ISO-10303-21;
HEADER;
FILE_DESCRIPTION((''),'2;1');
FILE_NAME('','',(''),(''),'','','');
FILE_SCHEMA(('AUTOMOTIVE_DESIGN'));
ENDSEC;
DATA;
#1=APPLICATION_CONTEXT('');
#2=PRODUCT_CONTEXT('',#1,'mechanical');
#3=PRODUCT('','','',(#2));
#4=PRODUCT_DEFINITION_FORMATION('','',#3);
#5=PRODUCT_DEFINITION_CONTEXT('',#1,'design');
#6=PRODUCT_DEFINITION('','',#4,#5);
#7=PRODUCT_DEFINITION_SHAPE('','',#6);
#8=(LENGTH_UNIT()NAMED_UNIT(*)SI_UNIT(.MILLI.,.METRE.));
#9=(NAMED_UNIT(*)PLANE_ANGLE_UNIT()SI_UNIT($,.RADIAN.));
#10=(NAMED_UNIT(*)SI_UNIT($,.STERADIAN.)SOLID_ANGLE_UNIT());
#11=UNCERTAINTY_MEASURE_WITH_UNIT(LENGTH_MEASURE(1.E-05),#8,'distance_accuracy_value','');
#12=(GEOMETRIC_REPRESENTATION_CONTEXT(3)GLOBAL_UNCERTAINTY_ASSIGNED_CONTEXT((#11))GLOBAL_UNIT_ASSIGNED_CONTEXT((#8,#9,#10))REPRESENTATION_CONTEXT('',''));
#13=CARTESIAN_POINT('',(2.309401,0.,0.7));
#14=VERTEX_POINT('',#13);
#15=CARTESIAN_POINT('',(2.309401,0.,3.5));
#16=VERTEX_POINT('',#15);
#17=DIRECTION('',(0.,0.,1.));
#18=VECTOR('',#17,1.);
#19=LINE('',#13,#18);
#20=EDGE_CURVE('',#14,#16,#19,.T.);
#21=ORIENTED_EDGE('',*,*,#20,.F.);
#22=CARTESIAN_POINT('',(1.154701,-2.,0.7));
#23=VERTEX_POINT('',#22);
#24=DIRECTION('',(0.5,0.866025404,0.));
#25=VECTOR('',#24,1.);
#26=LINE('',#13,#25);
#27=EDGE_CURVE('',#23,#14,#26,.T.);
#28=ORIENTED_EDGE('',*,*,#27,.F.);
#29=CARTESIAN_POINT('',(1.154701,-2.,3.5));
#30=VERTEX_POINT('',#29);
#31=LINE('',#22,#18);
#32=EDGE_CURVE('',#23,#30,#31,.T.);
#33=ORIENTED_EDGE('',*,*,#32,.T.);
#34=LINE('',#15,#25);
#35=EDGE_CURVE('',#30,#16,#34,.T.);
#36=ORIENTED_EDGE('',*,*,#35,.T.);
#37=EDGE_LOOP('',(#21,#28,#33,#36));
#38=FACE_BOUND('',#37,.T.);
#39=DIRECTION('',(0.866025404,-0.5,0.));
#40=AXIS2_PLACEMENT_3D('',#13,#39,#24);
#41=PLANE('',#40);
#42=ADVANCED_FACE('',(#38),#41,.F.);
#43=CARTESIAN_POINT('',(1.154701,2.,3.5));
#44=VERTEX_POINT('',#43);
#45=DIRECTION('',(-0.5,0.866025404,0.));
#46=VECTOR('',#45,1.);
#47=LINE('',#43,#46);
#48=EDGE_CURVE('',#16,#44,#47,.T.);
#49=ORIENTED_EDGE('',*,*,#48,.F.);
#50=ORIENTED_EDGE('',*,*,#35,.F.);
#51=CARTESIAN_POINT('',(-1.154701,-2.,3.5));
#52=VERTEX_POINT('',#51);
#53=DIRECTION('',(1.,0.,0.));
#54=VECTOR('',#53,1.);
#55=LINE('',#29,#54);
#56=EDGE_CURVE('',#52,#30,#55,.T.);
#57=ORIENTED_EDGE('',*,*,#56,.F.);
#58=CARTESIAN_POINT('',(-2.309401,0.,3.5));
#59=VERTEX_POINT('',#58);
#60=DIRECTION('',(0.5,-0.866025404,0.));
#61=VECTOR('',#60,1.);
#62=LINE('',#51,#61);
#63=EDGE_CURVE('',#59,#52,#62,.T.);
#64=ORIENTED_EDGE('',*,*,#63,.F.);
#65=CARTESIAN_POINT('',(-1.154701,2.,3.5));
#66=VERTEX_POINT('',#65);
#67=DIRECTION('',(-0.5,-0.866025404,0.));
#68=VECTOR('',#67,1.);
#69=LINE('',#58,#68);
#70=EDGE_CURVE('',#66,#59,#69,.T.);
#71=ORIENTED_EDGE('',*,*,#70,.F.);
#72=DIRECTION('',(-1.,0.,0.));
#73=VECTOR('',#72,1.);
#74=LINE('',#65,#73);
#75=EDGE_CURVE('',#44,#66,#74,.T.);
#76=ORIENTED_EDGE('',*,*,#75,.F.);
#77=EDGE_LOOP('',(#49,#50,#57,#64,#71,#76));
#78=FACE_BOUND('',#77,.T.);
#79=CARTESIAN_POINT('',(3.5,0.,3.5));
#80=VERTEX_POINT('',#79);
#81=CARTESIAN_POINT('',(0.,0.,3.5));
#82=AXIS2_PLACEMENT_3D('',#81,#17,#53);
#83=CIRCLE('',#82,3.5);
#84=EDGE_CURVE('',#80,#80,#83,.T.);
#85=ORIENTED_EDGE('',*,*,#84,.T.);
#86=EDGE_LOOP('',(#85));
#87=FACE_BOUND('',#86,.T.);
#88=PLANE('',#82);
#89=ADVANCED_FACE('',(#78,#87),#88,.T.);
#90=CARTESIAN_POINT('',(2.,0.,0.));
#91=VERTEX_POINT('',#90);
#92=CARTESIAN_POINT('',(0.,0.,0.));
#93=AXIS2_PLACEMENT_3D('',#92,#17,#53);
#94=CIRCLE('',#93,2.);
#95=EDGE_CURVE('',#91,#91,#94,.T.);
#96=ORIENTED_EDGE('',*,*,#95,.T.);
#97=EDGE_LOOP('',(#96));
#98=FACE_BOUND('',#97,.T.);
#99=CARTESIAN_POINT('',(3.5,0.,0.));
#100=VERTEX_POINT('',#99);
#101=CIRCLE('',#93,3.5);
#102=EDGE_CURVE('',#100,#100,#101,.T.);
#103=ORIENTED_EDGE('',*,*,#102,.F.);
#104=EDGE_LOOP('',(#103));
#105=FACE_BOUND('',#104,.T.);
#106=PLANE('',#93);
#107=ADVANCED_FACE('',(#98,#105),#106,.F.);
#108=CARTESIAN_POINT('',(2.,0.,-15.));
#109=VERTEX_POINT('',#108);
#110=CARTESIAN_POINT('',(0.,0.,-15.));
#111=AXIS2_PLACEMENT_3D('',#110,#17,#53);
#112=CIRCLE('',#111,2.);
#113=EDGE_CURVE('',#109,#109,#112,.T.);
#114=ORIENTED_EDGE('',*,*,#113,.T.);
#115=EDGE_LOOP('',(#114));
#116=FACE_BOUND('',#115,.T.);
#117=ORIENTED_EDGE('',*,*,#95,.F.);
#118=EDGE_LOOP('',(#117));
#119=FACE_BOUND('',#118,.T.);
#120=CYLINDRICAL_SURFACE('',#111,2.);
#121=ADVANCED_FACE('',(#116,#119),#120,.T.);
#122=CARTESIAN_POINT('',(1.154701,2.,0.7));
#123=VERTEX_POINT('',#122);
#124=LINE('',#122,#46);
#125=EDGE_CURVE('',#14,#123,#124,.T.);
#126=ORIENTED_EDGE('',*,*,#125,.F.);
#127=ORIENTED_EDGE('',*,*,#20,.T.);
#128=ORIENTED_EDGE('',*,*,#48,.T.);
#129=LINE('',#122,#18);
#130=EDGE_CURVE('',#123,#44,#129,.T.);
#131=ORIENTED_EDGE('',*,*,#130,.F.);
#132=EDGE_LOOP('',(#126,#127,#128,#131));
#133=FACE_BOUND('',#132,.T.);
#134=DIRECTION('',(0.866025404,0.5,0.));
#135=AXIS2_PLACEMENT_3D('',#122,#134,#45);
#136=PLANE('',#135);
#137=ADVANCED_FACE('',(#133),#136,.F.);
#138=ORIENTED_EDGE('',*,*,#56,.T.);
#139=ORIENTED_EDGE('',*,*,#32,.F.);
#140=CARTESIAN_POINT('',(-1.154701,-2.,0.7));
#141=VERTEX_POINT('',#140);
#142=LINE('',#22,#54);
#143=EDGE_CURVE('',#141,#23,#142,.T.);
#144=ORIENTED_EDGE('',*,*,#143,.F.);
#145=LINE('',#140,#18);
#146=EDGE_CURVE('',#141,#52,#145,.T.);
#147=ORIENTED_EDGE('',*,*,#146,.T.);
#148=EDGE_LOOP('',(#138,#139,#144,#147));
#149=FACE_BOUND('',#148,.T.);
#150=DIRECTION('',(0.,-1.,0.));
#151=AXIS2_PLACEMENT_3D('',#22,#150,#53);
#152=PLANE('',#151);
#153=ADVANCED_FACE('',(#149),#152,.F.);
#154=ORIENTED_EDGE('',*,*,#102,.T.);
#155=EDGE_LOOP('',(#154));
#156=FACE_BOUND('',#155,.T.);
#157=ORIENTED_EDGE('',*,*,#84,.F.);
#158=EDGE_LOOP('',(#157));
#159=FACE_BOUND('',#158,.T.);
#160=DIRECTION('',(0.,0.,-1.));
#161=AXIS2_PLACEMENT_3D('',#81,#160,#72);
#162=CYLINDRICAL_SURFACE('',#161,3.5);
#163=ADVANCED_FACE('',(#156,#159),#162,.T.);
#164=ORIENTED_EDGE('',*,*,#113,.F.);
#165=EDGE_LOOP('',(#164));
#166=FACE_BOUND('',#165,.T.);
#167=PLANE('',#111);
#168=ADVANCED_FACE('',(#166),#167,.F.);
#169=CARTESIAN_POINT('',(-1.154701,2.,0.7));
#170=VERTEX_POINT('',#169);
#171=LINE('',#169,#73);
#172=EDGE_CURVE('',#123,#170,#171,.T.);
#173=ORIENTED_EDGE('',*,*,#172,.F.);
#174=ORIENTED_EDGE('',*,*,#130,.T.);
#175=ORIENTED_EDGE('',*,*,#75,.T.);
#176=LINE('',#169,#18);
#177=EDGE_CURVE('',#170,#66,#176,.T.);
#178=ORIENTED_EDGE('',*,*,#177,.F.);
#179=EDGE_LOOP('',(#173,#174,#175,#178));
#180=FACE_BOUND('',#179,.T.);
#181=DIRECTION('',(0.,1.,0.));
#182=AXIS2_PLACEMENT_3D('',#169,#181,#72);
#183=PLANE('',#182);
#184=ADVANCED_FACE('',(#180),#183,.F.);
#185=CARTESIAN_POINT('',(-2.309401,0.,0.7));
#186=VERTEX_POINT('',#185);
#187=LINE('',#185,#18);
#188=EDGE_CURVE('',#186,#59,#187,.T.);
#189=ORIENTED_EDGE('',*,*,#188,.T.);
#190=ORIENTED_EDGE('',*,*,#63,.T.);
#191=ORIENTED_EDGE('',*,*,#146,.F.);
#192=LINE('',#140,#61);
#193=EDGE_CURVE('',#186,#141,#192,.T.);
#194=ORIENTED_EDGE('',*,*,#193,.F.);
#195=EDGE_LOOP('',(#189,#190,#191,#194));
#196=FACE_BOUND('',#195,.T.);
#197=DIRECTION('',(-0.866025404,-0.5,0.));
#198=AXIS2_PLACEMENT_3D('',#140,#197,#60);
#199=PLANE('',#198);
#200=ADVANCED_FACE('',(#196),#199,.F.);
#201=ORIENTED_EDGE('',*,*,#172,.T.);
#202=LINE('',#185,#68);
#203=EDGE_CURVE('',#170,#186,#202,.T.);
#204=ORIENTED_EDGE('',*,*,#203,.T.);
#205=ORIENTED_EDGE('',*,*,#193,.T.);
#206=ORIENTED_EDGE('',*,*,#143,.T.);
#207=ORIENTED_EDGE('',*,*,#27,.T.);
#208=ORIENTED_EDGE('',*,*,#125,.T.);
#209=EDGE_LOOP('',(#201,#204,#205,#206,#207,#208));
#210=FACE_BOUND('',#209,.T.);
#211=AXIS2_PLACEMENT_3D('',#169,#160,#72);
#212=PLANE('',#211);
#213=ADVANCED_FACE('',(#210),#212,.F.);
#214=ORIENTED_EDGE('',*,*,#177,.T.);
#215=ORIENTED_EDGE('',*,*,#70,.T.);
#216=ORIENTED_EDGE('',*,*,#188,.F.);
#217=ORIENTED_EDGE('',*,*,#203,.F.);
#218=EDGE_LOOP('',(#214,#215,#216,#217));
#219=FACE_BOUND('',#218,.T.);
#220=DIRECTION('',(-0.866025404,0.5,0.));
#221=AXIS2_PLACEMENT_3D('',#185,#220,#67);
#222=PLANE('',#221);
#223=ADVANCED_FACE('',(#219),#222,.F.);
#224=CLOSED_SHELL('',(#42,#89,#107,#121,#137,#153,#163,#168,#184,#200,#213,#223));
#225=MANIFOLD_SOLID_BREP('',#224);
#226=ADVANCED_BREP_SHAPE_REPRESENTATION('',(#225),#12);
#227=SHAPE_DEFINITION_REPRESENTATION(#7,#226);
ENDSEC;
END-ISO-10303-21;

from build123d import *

# Parameters (mm, degrees)
SKETCH1_R                   = 3.5
HEAD_BOSS_EXTRUDE1_DEPTH    = 3.5
HEAD_HEX_CUT_EXTRUDE1_DEPTH = 2.8
SKETCH2_R                   = 2
SCREW_BOSS_EXTRUDE2_DEPTH   = 15


with BuildPart() as part:
    # Sketch1 → Head Boss-Extrude1 (new body)
    with BuildSketch(Plane.XY):
        Circle(SKETCH1_R)
    extrude(amount=HEAD_BOSS_EXTRUDE1_DEPTH)

    # Sketch3 → Head Hex Cut-Extrude1 (cut)
    with BuildSketch(Plane.XY.offset(3.5)):
        Polygon((-1.154700538, 2), (1.154700538, 2), (2.309401077, 0), (1.154700538, -2), (-1.154700538, -2), (-2.309401077, 0), align=None)
    extrude(amount=-HEAD_HEX_CUT_EXTRUDE1_DEPTH, mode=Mode.SUBTRACT)

    # Sketch2 → Screw Boss-Extrude2 (add)
    with BuildSketch(Plane.XY):
        Circle(SKETCH2_R)
    extrude(amount=-SCREW_BOSS_EXTRUDE2_DEPTH)


solid = part.part
